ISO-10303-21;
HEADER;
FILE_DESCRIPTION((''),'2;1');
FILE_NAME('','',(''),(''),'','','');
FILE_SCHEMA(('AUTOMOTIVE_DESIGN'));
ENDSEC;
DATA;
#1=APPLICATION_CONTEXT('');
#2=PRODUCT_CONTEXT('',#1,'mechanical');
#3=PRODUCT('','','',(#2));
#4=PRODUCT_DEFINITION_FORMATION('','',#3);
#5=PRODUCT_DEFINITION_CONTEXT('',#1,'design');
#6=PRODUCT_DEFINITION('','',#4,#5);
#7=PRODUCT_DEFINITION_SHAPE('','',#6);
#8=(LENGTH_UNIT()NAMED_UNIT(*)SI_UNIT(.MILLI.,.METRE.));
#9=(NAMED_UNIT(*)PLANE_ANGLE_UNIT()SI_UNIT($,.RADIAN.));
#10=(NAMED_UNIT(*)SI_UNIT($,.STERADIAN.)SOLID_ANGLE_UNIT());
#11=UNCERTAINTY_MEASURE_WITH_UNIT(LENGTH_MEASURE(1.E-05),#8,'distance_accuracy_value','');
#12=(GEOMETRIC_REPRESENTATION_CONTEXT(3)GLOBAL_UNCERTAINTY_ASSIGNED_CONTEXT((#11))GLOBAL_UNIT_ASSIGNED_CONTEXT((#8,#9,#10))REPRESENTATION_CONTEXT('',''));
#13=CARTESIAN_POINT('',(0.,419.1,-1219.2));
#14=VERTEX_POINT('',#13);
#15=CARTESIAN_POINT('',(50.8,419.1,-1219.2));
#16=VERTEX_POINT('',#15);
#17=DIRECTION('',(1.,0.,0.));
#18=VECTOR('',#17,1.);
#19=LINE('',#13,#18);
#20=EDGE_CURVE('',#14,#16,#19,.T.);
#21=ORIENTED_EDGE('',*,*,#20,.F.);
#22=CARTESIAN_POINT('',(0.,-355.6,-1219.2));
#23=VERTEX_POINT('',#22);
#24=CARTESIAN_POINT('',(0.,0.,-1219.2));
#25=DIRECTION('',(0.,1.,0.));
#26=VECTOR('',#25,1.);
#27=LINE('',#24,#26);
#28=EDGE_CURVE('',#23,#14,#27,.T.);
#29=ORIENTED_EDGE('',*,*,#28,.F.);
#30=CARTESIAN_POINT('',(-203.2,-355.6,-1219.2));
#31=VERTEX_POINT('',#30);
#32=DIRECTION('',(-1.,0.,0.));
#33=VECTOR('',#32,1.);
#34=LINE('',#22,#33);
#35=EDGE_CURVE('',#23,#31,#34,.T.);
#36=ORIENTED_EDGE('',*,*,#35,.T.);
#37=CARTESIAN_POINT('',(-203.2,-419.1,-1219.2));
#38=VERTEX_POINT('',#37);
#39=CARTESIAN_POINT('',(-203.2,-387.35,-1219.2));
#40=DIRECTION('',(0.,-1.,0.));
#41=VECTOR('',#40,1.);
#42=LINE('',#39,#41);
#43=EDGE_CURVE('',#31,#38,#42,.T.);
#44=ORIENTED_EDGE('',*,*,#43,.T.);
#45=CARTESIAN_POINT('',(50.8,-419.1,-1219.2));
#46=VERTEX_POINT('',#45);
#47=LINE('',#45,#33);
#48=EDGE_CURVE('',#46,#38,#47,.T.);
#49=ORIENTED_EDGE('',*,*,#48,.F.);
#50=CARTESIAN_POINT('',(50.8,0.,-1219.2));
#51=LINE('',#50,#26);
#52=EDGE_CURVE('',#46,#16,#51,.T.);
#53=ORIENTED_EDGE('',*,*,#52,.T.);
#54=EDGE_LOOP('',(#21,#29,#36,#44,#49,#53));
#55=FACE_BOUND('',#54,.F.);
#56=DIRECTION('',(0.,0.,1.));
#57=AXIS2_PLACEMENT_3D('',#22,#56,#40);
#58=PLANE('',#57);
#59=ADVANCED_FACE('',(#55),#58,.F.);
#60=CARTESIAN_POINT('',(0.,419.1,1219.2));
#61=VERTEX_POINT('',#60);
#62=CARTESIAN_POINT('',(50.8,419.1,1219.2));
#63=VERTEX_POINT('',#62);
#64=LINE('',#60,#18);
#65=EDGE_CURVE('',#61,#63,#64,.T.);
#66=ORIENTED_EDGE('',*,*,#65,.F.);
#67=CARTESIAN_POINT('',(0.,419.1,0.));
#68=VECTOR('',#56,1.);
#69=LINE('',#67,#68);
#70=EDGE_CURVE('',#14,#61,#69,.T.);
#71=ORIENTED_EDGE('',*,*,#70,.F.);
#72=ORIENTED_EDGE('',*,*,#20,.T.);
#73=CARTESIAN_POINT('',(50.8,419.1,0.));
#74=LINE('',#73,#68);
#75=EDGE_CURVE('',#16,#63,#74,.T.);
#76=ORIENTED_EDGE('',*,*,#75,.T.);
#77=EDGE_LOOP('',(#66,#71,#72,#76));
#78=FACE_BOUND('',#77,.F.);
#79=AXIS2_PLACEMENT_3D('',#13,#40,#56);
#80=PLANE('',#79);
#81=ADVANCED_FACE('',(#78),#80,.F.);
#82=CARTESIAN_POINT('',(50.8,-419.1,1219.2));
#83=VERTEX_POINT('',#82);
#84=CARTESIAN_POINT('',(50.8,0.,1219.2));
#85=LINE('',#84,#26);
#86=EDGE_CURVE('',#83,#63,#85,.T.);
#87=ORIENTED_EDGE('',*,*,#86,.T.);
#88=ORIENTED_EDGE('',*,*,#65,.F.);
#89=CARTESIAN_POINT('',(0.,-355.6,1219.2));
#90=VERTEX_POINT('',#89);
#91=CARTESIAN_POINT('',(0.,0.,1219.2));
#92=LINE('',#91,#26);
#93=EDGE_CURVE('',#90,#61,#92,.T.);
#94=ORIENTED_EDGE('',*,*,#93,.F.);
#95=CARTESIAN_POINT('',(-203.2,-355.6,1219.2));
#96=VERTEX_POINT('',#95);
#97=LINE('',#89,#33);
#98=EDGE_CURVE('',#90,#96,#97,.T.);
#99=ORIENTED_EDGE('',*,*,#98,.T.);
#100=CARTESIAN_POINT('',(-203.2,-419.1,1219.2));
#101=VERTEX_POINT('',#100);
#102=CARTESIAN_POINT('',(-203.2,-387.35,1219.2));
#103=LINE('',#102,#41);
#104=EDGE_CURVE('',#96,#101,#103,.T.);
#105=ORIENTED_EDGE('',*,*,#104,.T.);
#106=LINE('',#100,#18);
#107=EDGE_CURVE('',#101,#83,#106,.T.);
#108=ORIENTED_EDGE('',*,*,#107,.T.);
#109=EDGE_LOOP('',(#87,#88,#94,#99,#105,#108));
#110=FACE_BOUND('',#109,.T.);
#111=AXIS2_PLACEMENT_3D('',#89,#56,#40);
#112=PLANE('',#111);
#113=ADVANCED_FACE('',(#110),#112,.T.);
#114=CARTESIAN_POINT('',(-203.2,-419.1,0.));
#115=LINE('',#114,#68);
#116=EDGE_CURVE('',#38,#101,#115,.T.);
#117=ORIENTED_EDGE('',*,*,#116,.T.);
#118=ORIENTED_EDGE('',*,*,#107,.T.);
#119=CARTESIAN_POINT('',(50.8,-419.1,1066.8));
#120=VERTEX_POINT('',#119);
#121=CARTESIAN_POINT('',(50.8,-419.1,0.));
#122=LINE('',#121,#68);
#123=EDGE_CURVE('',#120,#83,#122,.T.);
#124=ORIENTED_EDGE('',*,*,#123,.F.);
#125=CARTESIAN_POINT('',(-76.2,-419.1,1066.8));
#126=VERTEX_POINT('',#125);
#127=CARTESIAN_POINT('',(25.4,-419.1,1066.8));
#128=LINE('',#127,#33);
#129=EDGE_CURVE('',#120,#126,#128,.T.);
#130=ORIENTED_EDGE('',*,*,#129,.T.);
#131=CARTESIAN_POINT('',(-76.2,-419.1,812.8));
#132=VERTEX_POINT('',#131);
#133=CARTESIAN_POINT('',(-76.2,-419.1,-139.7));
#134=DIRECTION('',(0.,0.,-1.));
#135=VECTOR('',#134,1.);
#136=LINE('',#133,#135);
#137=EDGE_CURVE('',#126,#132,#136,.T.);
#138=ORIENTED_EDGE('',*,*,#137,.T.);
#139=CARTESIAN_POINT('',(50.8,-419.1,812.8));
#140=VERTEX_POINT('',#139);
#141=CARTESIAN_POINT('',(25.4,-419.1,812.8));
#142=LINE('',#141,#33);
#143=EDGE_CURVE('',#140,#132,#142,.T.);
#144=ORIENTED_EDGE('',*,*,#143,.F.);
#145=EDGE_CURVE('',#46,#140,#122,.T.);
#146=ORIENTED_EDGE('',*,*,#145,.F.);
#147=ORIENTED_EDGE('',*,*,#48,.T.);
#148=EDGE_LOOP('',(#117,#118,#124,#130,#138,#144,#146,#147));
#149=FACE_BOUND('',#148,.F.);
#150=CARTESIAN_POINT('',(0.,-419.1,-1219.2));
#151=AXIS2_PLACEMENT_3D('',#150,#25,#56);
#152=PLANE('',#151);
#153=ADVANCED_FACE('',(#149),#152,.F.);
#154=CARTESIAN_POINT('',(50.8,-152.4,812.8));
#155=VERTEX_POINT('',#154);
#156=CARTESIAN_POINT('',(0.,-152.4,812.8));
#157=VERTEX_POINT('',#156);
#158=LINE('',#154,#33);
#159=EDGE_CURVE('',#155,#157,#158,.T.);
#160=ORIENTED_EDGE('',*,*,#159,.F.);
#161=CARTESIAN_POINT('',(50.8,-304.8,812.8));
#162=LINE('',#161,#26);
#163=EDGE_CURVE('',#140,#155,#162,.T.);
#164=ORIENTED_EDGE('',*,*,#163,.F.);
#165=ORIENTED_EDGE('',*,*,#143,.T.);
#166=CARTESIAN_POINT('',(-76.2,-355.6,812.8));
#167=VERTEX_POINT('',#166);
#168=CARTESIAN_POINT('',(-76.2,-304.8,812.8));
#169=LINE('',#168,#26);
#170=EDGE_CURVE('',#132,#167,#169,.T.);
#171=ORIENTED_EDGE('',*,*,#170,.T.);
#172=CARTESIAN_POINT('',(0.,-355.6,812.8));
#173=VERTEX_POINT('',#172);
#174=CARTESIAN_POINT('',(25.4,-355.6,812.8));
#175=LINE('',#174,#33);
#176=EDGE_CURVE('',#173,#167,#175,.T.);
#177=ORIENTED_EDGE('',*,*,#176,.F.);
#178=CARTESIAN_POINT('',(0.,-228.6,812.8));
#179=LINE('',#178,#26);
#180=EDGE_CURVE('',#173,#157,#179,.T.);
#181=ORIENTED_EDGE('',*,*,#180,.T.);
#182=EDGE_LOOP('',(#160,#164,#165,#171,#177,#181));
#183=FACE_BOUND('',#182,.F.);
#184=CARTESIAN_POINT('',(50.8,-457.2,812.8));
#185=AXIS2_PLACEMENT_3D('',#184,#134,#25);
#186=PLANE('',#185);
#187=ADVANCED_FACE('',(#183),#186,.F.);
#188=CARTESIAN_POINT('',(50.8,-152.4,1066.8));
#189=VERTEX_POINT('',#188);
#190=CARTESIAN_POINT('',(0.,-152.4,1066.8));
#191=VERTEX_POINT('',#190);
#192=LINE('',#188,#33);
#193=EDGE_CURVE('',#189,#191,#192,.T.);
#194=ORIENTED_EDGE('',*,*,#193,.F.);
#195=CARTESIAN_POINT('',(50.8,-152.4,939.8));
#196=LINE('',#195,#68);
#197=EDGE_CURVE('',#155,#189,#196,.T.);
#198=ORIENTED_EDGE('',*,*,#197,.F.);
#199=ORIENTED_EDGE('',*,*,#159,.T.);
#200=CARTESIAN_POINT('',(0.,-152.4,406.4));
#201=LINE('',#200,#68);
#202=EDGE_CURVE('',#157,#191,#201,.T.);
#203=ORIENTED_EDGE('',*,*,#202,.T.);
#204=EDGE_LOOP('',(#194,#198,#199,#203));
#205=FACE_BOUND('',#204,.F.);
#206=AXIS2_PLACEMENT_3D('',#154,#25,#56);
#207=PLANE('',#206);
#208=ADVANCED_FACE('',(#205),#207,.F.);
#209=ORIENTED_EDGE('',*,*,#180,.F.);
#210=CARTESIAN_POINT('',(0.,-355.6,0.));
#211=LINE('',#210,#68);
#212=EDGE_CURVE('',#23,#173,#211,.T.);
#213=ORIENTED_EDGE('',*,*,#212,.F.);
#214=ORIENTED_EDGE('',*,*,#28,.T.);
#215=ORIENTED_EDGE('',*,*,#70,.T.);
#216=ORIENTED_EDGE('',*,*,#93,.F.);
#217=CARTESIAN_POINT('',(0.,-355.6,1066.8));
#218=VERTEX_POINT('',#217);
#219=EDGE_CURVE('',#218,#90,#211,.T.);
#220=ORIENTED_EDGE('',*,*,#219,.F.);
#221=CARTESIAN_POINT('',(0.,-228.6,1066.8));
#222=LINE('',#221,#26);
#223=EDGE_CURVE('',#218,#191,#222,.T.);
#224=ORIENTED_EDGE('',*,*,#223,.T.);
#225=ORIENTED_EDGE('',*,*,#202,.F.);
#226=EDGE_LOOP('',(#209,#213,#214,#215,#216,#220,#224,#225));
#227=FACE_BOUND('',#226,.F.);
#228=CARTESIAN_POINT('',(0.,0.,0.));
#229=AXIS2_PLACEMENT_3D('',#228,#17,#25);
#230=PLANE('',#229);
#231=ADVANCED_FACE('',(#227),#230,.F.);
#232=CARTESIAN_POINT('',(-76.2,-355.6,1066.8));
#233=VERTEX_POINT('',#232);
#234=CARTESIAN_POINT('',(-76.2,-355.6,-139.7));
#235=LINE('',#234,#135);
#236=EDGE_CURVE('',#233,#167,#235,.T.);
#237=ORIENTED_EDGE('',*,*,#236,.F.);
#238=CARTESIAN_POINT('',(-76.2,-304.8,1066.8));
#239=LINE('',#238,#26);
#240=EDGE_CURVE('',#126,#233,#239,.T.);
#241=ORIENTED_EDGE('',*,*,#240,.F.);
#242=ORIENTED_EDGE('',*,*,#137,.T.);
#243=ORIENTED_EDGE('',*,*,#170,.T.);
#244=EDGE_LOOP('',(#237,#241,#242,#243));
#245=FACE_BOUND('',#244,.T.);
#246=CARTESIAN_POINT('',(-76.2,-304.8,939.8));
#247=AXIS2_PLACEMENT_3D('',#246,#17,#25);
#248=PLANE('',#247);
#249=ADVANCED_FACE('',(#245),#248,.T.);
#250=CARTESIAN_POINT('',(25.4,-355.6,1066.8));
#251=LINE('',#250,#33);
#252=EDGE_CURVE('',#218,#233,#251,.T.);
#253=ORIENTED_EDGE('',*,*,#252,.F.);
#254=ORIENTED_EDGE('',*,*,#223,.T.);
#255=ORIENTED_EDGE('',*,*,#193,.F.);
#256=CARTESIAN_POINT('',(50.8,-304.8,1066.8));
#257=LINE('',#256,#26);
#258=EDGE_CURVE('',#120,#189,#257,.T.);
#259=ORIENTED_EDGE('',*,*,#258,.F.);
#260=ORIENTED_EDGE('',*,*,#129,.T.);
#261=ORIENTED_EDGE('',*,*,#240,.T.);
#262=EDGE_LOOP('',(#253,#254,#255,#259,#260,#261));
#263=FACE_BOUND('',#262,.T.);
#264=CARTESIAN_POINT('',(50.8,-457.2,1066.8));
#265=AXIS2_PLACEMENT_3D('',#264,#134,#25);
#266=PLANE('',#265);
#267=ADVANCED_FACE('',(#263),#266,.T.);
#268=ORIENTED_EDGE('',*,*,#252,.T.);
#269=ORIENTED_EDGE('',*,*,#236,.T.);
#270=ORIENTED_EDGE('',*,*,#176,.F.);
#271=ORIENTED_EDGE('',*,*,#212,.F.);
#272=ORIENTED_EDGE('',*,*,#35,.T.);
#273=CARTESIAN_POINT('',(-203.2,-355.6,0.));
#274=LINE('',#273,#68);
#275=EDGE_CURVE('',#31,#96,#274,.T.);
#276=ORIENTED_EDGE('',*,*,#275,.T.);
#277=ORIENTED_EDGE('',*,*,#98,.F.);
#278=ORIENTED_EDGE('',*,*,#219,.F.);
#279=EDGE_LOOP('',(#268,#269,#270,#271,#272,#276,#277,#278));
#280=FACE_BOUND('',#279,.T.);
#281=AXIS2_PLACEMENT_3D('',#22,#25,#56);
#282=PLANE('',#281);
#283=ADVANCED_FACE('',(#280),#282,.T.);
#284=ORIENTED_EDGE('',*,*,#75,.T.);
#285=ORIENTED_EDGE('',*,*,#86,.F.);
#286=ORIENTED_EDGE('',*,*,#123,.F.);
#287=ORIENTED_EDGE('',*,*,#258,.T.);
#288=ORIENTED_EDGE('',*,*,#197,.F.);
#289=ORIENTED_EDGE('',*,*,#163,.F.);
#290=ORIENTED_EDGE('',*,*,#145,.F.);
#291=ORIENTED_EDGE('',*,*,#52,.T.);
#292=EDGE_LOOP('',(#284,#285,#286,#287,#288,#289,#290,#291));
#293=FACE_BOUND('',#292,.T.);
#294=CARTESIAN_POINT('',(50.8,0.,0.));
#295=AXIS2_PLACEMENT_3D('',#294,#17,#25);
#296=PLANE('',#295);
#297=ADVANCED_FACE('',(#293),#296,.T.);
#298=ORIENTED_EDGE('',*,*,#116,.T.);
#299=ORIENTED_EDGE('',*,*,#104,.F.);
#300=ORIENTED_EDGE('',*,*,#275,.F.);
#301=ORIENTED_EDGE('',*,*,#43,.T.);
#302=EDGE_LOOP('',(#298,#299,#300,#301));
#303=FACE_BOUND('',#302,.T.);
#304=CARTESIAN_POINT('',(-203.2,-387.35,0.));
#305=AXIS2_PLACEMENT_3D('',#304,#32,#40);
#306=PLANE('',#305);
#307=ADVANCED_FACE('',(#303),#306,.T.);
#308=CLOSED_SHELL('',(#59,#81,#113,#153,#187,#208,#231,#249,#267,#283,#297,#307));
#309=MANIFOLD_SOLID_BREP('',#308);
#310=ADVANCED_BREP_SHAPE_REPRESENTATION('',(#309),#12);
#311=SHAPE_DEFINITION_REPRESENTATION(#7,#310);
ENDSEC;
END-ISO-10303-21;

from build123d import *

# Parameters (mm, degrees)
F0_W     = 838.2
F0_H     = 2438.4
F1_DEPTH = 50.8
F2_W     = 63.5
F2_H     = 2438.4
F3_DEPTH = 203.2
F5_W     = 304.8
F5_H     = 254
F6_DEPTH = 127


with BuildPart() as f1:
    # F0 (on Right) → F1 (new body)
    with BuildSketch(Plane.YZ):
        Rectangle(F0_W, F0_H)
    extrude(amount=F1_DEPTH)

    # F2 (on face) → F3 (join)
    with BuildSketch(Plane(origin=(0, 0, 0), x_dir=(0, -1, 0), z_dir=(-1, 0, 0))):
        with Locations((387.35, 0)):
            Rectangle(F2_W, F2_H)
    extrude(amount=F3_DEPTH)

    # F5 (on face) → F6 (cut)
    with BuildSketch(Plane.YZ.offset(50.8)):
        with Locations((-304.8, 939.8)):
            Rectangle(F5_W, F5_H)
    extrude(amount=-F6_DEPTH, mode=Mode.SUBTRACT)


solid = f1.part
